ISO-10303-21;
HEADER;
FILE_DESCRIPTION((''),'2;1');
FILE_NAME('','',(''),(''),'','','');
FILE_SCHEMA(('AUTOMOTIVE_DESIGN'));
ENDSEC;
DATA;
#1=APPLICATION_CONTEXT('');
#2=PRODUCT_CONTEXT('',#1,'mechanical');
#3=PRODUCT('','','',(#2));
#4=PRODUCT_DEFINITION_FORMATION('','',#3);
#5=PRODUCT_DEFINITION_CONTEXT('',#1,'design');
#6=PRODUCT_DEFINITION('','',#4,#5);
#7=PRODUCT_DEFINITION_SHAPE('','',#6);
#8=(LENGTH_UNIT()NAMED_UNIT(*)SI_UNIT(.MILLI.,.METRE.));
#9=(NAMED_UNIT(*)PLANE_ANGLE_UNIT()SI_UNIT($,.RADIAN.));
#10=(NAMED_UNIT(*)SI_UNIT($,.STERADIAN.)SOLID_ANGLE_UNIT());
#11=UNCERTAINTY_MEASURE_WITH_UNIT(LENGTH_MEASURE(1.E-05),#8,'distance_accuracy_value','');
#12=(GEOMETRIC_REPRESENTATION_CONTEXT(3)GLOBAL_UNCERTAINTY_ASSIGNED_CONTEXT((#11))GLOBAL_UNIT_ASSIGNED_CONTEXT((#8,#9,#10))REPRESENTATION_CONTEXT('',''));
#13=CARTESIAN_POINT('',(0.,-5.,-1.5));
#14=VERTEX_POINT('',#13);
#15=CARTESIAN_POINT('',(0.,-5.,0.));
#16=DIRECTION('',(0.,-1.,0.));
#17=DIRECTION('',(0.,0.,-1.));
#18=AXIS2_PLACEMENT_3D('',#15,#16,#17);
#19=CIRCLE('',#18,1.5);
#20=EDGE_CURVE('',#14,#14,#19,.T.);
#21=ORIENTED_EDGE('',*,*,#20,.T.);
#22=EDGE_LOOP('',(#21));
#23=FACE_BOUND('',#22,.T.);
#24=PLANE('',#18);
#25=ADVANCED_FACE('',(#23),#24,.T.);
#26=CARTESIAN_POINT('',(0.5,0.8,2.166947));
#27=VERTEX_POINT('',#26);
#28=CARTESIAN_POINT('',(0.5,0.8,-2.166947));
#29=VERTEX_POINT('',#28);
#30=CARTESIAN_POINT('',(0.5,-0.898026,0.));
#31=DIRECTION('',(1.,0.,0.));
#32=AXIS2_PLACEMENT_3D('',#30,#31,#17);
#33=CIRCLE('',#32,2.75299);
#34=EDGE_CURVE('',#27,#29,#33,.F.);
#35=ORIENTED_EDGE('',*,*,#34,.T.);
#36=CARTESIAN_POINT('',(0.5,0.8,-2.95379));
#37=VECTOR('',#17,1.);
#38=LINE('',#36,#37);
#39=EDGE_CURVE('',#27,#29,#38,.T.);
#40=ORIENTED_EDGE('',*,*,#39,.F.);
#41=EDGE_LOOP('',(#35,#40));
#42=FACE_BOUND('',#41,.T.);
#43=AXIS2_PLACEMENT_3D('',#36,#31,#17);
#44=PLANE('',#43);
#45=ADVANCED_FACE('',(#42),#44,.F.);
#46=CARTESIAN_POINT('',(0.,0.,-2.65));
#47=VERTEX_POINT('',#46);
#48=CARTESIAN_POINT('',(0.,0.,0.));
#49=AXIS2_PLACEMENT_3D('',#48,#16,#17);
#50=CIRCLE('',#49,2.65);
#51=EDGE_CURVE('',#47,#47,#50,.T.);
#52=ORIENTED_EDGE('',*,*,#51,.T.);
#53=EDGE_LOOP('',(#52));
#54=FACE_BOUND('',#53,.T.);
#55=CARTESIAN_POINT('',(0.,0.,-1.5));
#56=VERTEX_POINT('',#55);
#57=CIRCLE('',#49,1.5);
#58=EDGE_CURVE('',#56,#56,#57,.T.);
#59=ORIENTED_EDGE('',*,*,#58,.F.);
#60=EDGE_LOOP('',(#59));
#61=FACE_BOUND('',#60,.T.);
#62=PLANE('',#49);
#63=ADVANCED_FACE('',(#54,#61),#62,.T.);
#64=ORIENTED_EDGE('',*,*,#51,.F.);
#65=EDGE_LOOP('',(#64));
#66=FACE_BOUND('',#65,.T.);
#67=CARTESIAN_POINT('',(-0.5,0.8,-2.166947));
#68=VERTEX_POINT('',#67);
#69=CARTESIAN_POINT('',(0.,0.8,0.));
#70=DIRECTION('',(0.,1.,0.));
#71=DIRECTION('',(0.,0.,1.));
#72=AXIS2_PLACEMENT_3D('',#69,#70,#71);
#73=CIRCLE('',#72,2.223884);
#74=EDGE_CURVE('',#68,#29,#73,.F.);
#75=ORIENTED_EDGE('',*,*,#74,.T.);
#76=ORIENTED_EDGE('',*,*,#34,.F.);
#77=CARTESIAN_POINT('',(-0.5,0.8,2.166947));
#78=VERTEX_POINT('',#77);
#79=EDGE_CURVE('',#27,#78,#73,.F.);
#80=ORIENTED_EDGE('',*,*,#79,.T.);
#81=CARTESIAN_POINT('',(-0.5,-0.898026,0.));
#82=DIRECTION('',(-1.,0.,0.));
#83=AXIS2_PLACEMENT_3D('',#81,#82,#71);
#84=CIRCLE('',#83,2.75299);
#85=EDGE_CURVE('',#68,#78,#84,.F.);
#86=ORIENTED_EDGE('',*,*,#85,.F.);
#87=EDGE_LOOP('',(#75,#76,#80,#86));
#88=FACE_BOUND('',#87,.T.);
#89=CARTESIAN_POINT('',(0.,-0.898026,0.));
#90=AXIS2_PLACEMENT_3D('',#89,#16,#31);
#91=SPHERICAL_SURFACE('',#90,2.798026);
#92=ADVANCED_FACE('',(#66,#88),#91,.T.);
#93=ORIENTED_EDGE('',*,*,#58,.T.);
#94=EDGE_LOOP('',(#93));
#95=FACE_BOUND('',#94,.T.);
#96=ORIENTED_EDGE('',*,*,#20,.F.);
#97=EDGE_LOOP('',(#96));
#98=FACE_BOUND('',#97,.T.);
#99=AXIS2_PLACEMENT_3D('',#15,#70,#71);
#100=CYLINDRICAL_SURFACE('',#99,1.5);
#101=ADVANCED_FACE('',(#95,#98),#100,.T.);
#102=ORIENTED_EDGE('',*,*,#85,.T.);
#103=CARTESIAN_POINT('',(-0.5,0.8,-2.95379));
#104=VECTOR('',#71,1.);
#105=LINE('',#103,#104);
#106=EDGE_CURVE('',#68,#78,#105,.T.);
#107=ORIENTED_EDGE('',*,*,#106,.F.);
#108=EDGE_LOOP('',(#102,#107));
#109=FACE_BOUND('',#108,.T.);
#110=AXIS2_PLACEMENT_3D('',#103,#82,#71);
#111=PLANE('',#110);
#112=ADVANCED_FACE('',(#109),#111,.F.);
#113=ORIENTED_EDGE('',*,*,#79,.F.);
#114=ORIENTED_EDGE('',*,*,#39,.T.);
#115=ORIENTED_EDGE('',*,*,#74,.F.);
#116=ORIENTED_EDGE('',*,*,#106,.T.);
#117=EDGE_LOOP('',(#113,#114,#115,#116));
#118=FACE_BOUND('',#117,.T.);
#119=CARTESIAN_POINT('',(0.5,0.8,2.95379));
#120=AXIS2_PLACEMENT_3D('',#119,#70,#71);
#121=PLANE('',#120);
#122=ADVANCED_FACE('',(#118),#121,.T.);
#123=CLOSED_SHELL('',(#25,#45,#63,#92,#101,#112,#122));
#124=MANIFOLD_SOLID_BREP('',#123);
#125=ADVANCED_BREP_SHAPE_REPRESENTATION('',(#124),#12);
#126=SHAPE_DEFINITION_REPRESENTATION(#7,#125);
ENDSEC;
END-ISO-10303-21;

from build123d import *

# Parameters (mm, degrees)
SKETCH_2_W          = 1
SKETCH_2_H          = 5.907580982
CUT_EXTRUDE_1_DEPTH = 1.2
SKETCH_3_R          = 1.5
EXTRUDE_2_DEPTH     = 5


with BuildPart() as part:
    # Эскиз1 → Повернуть1 (revolve)
    with BuildSketch(Plane.XY):
        with BuildLine():
            Line((0, 0), (2.65, 0))
            ThreePointArc((2.65, 0), (1.630375724, 1.375918772), (0, 1.9))
            Line((0, 1.9), (0, 0))
        make_face()
    revolve(axis=Axis((0, 0, 0), (0, 1, 0)))

    # Эскиз2 → Вытянуть1 (cut)
    with BuildSketch(Plane(origin=(0, 2, 0), x_dir=(1, 0, 0), z_dir=(0, 1, 0))):
        Rectangle(SKETCH_2_W, SKETCH_2_H)
    extrude(amount=-CUT_EXTRUDE_1_DEPTH, mode=Mode.SUBTRACT)

    # Эскиз3 → Вытянуть2 (add)
    with BuildSketch(Plane.XZ):
        with Locations(Location((0, 0, 0), (0, 0, 270))):
            Circle(SKETCH_3_R)
    extrude(amount=EXTRUDE_2_DEPTH)


solid = part.part
